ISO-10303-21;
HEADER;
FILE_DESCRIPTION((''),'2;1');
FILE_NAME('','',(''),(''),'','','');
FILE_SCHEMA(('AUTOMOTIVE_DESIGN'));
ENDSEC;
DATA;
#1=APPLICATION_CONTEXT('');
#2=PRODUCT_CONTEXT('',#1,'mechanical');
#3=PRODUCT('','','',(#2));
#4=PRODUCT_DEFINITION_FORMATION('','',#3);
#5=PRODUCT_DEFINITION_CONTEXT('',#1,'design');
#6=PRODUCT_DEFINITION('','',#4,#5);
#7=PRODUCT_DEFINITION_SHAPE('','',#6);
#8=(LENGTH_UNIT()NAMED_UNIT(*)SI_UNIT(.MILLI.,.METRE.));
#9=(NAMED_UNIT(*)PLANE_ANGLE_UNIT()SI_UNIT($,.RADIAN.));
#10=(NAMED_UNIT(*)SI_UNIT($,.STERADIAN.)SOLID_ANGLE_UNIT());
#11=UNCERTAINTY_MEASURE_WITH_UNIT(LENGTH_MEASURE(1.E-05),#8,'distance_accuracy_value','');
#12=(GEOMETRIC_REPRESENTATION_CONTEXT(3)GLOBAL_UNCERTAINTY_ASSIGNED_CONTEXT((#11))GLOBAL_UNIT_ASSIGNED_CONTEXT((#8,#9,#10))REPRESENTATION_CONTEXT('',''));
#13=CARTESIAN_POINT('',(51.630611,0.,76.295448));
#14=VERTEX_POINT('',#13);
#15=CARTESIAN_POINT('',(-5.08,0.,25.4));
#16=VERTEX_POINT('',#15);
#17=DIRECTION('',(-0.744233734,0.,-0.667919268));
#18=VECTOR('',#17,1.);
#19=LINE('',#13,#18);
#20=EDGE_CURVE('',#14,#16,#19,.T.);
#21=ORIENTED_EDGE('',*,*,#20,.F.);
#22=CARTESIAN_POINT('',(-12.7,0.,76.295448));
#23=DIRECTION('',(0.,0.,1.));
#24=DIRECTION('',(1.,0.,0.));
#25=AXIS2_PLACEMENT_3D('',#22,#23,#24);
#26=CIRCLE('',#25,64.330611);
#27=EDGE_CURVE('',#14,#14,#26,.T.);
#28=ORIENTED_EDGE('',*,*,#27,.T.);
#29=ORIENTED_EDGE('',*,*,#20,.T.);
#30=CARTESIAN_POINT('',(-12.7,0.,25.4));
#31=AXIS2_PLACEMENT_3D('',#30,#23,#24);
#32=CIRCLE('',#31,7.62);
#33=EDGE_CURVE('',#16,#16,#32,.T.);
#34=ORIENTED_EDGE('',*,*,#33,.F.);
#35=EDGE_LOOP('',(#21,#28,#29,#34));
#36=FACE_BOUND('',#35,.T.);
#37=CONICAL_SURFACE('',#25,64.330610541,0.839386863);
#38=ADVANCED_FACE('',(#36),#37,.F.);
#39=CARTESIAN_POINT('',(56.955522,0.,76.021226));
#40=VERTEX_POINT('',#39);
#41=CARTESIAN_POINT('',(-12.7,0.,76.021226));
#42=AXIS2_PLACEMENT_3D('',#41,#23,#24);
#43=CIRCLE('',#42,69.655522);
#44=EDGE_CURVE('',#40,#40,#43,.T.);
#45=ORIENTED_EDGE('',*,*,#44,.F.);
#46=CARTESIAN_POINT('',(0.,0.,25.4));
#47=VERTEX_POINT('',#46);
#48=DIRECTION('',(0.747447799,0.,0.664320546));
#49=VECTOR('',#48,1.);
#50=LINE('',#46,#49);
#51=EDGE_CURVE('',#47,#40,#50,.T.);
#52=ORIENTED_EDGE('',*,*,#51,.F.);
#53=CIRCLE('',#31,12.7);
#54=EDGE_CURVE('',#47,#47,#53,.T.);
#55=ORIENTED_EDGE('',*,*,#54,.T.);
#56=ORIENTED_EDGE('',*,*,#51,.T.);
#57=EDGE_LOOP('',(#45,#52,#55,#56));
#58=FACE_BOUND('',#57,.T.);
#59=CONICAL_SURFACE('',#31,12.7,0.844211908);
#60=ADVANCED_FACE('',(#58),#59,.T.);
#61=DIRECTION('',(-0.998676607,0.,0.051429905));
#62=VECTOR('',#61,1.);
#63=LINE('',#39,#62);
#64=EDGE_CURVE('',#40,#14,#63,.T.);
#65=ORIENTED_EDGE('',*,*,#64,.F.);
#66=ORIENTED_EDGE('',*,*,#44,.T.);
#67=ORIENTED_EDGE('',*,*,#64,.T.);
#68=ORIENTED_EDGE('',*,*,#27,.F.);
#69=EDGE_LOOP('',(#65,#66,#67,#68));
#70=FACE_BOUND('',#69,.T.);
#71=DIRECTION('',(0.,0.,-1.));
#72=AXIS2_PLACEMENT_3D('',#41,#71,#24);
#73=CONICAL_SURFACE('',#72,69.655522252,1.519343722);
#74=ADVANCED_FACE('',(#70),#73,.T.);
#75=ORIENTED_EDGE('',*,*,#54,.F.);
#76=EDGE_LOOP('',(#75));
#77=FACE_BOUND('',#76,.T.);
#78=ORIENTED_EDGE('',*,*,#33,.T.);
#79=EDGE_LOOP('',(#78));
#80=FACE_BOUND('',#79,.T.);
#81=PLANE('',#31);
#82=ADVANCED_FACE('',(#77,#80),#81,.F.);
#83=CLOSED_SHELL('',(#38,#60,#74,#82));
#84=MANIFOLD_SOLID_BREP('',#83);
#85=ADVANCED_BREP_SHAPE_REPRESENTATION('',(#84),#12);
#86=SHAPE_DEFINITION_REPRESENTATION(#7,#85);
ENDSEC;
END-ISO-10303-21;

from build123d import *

# Parameters (mm, degrees)
F2_DEPTH = 25.4


with BuildPart() as f1:
    # F0 (on Front) → F1 (revolve)
    with BuildSketch(Plane.XZ):
        Polygon((-12.7, 0), (0, 0), (0, 25.4), (56.9555222519, 76.0212256372), (51.6306105411, 76.2954482449), (-5.08, 25.4), (-12.7, 25.4), align=None)
    revolve(axis=Axis((-12.7, 0, 12.7), (0, 0, 1)))

    # F2 (cut): a face of the model
    f2_faces = [f1.faces().sort_by_distance(p)[0] for p in [
        (-12.7, 0, 0),
    ]]
    extrude(f2_faces, amount=-F2_DEPTH, mode=Mode.SUBTRACT)


solid = f1.part
